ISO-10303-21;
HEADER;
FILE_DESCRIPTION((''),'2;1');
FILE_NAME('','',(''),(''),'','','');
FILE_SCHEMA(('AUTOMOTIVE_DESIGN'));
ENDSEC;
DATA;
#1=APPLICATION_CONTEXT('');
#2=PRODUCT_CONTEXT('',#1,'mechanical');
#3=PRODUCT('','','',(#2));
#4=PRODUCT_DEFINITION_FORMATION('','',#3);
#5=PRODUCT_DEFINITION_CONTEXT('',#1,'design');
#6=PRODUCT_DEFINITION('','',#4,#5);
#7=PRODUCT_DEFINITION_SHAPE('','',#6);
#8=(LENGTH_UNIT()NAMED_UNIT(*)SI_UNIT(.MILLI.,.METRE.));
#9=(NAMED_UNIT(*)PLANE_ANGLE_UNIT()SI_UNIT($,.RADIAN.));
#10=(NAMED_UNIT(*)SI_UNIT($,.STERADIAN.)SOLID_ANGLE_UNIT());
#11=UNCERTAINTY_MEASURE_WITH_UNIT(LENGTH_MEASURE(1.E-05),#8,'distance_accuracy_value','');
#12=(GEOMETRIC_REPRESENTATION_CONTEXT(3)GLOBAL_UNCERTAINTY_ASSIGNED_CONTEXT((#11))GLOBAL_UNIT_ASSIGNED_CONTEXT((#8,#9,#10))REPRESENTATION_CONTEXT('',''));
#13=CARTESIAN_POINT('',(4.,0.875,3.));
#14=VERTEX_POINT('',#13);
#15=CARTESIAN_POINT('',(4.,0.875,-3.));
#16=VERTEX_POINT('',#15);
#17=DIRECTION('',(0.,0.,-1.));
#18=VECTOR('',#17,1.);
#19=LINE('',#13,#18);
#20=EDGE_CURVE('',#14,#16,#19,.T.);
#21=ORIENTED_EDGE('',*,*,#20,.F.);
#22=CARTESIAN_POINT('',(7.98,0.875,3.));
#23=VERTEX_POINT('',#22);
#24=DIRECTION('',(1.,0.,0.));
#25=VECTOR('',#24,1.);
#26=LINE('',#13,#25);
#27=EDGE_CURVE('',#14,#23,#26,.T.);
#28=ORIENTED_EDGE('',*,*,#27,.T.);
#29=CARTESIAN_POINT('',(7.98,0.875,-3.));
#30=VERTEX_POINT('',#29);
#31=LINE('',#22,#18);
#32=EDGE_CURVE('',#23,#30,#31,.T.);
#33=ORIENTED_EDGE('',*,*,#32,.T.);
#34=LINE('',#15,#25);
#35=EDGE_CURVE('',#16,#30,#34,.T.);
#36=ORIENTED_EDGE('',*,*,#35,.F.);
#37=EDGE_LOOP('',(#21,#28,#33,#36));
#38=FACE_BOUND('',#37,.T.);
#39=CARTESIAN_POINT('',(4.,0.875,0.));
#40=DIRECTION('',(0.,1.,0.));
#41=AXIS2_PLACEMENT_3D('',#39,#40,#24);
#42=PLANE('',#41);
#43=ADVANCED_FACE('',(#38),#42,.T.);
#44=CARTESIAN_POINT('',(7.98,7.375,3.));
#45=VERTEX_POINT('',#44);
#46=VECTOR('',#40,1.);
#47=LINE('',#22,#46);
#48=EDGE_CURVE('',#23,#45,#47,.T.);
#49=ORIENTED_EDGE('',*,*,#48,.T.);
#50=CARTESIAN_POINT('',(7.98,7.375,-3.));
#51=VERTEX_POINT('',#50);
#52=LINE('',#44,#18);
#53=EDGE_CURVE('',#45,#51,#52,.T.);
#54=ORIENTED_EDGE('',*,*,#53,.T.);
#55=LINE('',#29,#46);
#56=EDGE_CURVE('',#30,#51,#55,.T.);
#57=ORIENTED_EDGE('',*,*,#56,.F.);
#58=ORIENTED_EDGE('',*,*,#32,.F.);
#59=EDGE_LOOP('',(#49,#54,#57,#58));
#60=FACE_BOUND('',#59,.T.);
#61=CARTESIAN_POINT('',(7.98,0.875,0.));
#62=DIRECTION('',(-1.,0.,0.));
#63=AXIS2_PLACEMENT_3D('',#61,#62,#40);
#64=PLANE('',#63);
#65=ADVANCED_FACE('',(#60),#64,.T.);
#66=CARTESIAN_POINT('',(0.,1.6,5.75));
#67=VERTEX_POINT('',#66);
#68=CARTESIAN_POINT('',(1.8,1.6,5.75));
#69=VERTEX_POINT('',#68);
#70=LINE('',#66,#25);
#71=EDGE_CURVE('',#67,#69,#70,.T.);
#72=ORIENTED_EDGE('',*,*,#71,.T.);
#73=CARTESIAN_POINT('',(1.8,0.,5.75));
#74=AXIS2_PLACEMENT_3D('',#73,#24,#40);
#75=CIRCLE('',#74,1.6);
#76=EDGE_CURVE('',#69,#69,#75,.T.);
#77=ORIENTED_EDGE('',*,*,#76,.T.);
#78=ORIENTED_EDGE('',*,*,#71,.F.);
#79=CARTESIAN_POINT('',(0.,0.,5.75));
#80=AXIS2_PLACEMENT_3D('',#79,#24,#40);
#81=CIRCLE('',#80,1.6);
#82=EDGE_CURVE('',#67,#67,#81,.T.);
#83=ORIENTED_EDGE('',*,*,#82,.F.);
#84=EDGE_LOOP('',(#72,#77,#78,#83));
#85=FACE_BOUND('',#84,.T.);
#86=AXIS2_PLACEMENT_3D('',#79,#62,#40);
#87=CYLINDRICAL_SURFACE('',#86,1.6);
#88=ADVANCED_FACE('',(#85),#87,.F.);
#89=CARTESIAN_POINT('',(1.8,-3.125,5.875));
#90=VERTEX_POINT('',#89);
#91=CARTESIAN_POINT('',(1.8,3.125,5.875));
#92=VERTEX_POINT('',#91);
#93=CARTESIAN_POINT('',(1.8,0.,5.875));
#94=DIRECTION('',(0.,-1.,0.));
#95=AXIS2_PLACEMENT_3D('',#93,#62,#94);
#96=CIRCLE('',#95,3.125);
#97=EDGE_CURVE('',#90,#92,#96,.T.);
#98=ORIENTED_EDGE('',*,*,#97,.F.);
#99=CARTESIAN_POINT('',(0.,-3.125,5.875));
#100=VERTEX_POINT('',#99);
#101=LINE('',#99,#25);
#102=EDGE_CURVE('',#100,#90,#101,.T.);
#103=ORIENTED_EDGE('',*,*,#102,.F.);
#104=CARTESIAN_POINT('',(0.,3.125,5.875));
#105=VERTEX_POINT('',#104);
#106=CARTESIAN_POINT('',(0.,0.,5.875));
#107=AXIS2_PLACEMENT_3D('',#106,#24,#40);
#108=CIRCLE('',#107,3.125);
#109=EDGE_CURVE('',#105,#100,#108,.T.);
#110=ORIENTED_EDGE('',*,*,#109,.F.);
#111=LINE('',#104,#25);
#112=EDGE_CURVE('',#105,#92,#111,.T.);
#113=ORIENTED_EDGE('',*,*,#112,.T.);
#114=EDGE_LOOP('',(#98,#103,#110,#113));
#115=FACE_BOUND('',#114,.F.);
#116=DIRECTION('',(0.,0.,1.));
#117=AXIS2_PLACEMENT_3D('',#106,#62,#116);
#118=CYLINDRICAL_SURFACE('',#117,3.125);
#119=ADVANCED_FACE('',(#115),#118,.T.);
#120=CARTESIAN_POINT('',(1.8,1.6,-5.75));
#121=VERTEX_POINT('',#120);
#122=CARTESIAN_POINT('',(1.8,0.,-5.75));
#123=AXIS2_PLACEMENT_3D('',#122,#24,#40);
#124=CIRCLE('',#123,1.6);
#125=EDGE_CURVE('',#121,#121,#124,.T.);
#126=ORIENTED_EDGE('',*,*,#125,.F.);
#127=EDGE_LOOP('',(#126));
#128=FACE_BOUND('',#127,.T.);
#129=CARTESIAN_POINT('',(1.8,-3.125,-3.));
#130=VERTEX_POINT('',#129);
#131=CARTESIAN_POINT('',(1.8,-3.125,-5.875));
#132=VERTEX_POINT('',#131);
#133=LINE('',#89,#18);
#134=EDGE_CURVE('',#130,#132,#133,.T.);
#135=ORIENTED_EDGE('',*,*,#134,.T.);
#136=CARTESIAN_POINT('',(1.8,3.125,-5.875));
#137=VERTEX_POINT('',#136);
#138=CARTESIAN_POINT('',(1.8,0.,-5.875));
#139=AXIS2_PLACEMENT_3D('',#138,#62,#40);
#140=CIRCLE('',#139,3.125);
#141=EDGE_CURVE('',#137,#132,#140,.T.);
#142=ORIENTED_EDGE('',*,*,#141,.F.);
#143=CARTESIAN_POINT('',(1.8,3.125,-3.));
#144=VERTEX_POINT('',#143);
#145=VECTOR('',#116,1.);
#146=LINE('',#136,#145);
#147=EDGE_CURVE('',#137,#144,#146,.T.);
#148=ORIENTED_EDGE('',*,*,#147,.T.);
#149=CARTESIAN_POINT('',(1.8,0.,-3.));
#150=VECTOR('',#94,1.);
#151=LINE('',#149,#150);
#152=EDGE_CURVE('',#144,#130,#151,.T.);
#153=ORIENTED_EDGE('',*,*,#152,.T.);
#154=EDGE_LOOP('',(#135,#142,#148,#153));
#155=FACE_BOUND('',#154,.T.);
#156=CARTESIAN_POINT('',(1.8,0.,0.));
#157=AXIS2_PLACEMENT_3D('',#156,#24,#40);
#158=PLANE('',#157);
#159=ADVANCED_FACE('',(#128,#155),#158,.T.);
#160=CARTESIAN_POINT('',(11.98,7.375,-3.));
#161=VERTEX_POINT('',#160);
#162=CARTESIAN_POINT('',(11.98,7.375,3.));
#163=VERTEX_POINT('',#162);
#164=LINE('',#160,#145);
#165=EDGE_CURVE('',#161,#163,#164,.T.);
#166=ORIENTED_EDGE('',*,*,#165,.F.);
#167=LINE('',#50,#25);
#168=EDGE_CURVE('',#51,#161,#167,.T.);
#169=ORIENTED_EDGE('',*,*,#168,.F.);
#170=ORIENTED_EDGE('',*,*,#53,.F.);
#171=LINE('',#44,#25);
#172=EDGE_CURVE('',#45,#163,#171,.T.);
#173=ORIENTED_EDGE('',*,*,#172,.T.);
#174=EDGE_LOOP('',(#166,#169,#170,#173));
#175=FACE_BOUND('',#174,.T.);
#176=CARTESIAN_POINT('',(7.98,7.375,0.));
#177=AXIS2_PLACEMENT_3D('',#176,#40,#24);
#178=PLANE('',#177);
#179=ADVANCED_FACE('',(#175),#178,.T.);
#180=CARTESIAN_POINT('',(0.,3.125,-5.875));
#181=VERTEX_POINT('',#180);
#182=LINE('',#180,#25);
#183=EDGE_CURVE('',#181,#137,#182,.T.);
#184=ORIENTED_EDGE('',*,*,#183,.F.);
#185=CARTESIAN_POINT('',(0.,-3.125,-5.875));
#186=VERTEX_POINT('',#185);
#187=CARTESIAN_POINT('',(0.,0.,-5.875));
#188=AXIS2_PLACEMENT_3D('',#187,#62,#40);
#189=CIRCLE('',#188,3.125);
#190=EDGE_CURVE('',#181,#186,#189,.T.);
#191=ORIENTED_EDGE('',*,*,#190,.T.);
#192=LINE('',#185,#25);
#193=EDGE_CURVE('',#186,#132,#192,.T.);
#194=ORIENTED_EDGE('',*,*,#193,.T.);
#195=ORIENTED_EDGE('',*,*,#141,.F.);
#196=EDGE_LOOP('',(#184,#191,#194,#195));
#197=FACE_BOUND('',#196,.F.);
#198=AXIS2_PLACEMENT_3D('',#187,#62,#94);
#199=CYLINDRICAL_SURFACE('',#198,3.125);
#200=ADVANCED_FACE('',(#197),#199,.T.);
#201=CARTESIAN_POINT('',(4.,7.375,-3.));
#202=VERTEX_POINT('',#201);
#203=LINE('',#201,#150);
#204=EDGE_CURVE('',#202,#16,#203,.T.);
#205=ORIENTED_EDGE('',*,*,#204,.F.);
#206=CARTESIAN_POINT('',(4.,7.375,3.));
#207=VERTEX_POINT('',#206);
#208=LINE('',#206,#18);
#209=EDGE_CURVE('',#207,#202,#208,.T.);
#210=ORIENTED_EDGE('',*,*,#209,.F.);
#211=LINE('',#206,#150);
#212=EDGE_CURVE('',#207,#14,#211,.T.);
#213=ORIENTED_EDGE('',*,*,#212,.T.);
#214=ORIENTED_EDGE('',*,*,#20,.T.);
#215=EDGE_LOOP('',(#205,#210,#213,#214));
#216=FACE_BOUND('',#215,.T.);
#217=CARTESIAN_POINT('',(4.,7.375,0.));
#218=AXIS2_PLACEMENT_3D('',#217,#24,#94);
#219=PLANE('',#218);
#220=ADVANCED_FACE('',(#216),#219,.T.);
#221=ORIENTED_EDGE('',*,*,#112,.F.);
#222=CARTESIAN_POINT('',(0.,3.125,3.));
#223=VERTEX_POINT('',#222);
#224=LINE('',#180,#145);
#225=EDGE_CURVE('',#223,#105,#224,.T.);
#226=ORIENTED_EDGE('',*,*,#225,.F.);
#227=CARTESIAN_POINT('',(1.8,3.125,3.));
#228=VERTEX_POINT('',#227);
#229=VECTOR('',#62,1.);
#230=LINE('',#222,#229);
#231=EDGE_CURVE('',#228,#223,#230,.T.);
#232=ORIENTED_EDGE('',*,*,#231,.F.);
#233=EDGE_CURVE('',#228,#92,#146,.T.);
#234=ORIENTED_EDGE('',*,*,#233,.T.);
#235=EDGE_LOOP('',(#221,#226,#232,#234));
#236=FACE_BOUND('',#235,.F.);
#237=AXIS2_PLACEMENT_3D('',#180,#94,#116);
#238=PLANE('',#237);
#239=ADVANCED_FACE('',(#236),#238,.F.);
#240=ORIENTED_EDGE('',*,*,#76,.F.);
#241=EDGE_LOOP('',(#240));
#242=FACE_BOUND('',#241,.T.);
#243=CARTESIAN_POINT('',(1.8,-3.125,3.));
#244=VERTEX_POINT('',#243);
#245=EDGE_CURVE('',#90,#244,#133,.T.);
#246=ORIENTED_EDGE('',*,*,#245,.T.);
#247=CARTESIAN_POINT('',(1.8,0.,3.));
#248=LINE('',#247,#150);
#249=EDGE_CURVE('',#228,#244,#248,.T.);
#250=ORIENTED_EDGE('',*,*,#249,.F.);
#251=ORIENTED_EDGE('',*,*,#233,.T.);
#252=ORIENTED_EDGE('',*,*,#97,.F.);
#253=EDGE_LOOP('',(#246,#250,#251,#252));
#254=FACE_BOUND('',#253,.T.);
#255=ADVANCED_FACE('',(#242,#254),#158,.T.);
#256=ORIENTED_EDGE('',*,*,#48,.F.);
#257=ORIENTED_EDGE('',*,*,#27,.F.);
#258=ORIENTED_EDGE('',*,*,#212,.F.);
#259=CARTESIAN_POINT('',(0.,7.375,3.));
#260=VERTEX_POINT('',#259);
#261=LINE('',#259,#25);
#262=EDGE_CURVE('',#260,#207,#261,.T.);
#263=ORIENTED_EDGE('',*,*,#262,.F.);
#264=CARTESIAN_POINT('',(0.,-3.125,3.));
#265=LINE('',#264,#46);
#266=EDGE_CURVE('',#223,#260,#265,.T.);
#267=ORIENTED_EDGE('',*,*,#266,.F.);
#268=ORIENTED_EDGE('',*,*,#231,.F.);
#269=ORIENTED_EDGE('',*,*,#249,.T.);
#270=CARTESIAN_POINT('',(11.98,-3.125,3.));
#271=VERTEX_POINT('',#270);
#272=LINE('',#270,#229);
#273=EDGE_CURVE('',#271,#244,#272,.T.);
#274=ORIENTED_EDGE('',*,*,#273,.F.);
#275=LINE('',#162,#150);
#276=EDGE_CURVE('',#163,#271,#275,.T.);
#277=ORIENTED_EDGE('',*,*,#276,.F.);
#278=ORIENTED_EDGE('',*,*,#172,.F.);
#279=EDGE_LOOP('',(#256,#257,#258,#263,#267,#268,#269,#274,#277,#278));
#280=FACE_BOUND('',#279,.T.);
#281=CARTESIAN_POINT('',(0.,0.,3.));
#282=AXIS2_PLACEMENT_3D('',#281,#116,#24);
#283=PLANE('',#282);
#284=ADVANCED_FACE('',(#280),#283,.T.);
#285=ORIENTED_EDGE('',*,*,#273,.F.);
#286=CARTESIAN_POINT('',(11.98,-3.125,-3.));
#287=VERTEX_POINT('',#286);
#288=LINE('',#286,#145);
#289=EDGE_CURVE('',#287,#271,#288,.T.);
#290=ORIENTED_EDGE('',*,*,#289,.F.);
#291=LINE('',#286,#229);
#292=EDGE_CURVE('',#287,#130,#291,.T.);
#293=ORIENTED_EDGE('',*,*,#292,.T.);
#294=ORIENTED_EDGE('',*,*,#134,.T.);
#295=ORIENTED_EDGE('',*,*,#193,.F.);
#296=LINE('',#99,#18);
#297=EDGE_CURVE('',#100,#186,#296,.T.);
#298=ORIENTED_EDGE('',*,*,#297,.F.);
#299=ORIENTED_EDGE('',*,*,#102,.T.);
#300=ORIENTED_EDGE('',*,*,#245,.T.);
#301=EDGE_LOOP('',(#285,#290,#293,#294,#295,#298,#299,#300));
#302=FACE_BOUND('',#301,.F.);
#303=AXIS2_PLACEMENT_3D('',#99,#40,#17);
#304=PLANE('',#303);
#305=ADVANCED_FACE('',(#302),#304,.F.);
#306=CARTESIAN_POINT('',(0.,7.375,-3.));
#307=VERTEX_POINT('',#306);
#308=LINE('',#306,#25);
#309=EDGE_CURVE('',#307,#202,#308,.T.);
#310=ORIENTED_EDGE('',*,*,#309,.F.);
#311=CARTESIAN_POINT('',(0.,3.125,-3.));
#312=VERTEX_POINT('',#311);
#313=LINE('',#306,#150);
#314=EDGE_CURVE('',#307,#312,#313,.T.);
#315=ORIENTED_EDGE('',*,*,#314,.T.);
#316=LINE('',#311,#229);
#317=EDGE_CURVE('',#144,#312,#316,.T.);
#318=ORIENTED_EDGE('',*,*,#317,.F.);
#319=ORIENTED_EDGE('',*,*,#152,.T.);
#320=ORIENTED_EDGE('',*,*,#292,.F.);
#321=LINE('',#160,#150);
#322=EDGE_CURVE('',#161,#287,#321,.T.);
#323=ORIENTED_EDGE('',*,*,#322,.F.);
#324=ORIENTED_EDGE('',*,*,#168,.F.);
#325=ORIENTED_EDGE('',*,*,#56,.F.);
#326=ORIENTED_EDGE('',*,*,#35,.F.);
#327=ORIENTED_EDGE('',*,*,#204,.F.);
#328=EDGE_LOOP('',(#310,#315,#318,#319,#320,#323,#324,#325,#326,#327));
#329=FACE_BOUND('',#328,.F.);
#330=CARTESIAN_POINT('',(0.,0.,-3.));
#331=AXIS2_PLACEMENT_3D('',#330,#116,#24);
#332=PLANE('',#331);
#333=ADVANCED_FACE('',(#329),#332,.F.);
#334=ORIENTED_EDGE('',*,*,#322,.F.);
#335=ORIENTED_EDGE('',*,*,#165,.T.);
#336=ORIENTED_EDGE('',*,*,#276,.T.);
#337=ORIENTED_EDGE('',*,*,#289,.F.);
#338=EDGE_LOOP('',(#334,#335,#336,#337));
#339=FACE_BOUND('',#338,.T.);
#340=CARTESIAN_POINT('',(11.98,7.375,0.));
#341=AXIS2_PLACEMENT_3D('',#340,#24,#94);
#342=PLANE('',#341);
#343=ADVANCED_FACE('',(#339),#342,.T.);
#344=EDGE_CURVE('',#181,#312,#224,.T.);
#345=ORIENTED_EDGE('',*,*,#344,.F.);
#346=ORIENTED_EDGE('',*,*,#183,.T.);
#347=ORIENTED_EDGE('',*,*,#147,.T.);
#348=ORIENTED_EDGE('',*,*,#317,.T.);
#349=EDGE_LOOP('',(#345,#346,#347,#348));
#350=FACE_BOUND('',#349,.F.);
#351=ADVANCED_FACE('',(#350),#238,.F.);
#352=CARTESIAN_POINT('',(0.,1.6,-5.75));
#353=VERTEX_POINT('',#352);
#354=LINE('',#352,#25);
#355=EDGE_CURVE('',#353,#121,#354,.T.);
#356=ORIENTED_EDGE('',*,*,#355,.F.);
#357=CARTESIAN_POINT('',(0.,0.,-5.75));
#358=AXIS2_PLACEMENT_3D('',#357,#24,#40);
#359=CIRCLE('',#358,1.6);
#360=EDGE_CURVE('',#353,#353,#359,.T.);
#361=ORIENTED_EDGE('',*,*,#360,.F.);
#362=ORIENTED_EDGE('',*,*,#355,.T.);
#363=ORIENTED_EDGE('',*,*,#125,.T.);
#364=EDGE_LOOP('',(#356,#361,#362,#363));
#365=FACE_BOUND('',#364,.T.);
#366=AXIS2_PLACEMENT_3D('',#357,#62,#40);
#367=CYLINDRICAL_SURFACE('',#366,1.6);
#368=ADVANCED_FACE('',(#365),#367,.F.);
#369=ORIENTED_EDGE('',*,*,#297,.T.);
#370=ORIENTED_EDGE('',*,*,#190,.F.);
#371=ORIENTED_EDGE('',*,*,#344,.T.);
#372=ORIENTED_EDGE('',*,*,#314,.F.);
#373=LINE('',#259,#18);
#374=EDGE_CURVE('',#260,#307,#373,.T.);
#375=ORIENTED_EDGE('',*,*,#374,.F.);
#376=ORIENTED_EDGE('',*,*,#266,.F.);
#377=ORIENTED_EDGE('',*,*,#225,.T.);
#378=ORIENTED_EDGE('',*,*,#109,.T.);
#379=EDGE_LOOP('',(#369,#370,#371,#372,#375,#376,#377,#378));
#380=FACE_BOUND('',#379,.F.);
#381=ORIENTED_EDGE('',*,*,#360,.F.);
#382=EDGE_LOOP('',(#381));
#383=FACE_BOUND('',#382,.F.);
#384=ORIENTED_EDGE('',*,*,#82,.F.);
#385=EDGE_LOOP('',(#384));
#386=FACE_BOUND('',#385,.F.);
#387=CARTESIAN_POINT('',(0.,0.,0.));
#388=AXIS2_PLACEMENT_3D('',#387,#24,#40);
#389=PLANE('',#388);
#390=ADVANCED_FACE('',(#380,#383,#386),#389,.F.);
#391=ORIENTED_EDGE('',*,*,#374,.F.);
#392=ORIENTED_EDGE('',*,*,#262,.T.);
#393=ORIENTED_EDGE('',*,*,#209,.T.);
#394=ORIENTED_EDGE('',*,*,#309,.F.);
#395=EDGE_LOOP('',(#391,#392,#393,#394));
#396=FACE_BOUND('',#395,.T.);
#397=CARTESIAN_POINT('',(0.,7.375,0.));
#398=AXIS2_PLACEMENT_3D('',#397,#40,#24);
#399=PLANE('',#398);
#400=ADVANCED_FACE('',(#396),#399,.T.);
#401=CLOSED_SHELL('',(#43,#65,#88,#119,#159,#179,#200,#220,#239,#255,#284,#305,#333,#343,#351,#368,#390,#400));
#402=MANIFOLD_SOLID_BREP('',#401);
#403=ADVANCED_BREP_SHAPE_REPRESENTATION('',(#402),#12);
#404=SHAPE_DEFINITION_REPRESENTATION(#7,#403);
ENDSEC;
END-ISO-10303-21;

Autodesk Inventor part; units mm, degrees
ref_plane "YZ Plane" through (0, 0, 0) normal (1, 0, 0) x (0, 1, 0)
ref_plane "XZ Plane" through (0, 0, 0) normal (0, 1, 0) x (-1, 0, 0)
ref_plane "XY Plane" through (0, 0, 0) normal (0, 0, 1) x (1, 0, 0)
sketch "草圖1" plane through (0, 0, 0) normal (1, 0, 0) x (0, 1, 0)
  line L0 (0, 9) -> (0, 9)
  line L1 (-3.125, 5.875) -> (-3.125, -5.875)
  line L2 (0, -9) -> (0, -9)
  line L3 (3.125, -5.875) -> (3.125, 5.875)
  line L4 (3.125, 9) -> (-3.125, -9) construction
  line L5 (-3.125, 9) -> (3.125, -9) construction
  circle A0 centre (0, 5.75) radius 1.6
  circle A1 centre (0, -5.75) radius 1.6
  arc A2 (0, -9) -> (3.125, -5.875) centre (0, -5.875) ccw
  arc A3 (-3.125, -5.875) -> (0, -9) centre (0, -5.875) ccw
  arc A4 (0, 9) -> (-3.125, 5.875) centre (0, 5.875) ccw
  arc A5 (3.125, 5.875) -> (0, 9) centre (0, 5.875) ccw
  point P0 (0, 0)
  point P1 (0, 0)
  point P2 (0, -9)
  point P3 (0, 9)
  dimension "d2" = 6.25
  dimension "d3" = 18
  dimension "d4" = 3.2
  dimension "d5" = 3.2
  dimension "d6" = 11.5
  dimension "d7" = 5.75
  dimension "d8" = 3.125
  dimension "d9" = 3.125
extrude "擠出1" add sketch "草圖1" along normal blind 1.8
sketch "草圖2" plane through (0, 0, 0) normal (0, 0, 1) x (1, 0, 0)
  line L0 (0, -3.125) -> (0, 3.125) projected
  line L1 (0, -3.125) -> (0, 7.375)
  line L2 (0, 7.375) -> (4, 7.375)
  line L3 (4, 7.375) -> (4, 0.875)
  line L4 (4, 0.875) -> (7.98, 0.875)
  line L5 (7.98, 0.875) -> (7.98, 7.375)
  line L6 (7.98, 7.375) -> (11.98, 7.375)
  line L7 (11.98, 7.375) -> (11.98, -3.125)
  line L8 (11.98, -3.125) -> (0, -3.125)
  point P0 (0, 0)
  dimension "d12" = 10.5
  dimension "d13" = 4
  dimension "d14" = 3.98
  dimension "d15" = 4
  dimension "d16" = 6.5
extrude "擠出2" add sketch "草圖2" along normal mid plane 6
equation "\"d7\" = 0.5 * d6"
properties part number "TP806 optic endstop"
